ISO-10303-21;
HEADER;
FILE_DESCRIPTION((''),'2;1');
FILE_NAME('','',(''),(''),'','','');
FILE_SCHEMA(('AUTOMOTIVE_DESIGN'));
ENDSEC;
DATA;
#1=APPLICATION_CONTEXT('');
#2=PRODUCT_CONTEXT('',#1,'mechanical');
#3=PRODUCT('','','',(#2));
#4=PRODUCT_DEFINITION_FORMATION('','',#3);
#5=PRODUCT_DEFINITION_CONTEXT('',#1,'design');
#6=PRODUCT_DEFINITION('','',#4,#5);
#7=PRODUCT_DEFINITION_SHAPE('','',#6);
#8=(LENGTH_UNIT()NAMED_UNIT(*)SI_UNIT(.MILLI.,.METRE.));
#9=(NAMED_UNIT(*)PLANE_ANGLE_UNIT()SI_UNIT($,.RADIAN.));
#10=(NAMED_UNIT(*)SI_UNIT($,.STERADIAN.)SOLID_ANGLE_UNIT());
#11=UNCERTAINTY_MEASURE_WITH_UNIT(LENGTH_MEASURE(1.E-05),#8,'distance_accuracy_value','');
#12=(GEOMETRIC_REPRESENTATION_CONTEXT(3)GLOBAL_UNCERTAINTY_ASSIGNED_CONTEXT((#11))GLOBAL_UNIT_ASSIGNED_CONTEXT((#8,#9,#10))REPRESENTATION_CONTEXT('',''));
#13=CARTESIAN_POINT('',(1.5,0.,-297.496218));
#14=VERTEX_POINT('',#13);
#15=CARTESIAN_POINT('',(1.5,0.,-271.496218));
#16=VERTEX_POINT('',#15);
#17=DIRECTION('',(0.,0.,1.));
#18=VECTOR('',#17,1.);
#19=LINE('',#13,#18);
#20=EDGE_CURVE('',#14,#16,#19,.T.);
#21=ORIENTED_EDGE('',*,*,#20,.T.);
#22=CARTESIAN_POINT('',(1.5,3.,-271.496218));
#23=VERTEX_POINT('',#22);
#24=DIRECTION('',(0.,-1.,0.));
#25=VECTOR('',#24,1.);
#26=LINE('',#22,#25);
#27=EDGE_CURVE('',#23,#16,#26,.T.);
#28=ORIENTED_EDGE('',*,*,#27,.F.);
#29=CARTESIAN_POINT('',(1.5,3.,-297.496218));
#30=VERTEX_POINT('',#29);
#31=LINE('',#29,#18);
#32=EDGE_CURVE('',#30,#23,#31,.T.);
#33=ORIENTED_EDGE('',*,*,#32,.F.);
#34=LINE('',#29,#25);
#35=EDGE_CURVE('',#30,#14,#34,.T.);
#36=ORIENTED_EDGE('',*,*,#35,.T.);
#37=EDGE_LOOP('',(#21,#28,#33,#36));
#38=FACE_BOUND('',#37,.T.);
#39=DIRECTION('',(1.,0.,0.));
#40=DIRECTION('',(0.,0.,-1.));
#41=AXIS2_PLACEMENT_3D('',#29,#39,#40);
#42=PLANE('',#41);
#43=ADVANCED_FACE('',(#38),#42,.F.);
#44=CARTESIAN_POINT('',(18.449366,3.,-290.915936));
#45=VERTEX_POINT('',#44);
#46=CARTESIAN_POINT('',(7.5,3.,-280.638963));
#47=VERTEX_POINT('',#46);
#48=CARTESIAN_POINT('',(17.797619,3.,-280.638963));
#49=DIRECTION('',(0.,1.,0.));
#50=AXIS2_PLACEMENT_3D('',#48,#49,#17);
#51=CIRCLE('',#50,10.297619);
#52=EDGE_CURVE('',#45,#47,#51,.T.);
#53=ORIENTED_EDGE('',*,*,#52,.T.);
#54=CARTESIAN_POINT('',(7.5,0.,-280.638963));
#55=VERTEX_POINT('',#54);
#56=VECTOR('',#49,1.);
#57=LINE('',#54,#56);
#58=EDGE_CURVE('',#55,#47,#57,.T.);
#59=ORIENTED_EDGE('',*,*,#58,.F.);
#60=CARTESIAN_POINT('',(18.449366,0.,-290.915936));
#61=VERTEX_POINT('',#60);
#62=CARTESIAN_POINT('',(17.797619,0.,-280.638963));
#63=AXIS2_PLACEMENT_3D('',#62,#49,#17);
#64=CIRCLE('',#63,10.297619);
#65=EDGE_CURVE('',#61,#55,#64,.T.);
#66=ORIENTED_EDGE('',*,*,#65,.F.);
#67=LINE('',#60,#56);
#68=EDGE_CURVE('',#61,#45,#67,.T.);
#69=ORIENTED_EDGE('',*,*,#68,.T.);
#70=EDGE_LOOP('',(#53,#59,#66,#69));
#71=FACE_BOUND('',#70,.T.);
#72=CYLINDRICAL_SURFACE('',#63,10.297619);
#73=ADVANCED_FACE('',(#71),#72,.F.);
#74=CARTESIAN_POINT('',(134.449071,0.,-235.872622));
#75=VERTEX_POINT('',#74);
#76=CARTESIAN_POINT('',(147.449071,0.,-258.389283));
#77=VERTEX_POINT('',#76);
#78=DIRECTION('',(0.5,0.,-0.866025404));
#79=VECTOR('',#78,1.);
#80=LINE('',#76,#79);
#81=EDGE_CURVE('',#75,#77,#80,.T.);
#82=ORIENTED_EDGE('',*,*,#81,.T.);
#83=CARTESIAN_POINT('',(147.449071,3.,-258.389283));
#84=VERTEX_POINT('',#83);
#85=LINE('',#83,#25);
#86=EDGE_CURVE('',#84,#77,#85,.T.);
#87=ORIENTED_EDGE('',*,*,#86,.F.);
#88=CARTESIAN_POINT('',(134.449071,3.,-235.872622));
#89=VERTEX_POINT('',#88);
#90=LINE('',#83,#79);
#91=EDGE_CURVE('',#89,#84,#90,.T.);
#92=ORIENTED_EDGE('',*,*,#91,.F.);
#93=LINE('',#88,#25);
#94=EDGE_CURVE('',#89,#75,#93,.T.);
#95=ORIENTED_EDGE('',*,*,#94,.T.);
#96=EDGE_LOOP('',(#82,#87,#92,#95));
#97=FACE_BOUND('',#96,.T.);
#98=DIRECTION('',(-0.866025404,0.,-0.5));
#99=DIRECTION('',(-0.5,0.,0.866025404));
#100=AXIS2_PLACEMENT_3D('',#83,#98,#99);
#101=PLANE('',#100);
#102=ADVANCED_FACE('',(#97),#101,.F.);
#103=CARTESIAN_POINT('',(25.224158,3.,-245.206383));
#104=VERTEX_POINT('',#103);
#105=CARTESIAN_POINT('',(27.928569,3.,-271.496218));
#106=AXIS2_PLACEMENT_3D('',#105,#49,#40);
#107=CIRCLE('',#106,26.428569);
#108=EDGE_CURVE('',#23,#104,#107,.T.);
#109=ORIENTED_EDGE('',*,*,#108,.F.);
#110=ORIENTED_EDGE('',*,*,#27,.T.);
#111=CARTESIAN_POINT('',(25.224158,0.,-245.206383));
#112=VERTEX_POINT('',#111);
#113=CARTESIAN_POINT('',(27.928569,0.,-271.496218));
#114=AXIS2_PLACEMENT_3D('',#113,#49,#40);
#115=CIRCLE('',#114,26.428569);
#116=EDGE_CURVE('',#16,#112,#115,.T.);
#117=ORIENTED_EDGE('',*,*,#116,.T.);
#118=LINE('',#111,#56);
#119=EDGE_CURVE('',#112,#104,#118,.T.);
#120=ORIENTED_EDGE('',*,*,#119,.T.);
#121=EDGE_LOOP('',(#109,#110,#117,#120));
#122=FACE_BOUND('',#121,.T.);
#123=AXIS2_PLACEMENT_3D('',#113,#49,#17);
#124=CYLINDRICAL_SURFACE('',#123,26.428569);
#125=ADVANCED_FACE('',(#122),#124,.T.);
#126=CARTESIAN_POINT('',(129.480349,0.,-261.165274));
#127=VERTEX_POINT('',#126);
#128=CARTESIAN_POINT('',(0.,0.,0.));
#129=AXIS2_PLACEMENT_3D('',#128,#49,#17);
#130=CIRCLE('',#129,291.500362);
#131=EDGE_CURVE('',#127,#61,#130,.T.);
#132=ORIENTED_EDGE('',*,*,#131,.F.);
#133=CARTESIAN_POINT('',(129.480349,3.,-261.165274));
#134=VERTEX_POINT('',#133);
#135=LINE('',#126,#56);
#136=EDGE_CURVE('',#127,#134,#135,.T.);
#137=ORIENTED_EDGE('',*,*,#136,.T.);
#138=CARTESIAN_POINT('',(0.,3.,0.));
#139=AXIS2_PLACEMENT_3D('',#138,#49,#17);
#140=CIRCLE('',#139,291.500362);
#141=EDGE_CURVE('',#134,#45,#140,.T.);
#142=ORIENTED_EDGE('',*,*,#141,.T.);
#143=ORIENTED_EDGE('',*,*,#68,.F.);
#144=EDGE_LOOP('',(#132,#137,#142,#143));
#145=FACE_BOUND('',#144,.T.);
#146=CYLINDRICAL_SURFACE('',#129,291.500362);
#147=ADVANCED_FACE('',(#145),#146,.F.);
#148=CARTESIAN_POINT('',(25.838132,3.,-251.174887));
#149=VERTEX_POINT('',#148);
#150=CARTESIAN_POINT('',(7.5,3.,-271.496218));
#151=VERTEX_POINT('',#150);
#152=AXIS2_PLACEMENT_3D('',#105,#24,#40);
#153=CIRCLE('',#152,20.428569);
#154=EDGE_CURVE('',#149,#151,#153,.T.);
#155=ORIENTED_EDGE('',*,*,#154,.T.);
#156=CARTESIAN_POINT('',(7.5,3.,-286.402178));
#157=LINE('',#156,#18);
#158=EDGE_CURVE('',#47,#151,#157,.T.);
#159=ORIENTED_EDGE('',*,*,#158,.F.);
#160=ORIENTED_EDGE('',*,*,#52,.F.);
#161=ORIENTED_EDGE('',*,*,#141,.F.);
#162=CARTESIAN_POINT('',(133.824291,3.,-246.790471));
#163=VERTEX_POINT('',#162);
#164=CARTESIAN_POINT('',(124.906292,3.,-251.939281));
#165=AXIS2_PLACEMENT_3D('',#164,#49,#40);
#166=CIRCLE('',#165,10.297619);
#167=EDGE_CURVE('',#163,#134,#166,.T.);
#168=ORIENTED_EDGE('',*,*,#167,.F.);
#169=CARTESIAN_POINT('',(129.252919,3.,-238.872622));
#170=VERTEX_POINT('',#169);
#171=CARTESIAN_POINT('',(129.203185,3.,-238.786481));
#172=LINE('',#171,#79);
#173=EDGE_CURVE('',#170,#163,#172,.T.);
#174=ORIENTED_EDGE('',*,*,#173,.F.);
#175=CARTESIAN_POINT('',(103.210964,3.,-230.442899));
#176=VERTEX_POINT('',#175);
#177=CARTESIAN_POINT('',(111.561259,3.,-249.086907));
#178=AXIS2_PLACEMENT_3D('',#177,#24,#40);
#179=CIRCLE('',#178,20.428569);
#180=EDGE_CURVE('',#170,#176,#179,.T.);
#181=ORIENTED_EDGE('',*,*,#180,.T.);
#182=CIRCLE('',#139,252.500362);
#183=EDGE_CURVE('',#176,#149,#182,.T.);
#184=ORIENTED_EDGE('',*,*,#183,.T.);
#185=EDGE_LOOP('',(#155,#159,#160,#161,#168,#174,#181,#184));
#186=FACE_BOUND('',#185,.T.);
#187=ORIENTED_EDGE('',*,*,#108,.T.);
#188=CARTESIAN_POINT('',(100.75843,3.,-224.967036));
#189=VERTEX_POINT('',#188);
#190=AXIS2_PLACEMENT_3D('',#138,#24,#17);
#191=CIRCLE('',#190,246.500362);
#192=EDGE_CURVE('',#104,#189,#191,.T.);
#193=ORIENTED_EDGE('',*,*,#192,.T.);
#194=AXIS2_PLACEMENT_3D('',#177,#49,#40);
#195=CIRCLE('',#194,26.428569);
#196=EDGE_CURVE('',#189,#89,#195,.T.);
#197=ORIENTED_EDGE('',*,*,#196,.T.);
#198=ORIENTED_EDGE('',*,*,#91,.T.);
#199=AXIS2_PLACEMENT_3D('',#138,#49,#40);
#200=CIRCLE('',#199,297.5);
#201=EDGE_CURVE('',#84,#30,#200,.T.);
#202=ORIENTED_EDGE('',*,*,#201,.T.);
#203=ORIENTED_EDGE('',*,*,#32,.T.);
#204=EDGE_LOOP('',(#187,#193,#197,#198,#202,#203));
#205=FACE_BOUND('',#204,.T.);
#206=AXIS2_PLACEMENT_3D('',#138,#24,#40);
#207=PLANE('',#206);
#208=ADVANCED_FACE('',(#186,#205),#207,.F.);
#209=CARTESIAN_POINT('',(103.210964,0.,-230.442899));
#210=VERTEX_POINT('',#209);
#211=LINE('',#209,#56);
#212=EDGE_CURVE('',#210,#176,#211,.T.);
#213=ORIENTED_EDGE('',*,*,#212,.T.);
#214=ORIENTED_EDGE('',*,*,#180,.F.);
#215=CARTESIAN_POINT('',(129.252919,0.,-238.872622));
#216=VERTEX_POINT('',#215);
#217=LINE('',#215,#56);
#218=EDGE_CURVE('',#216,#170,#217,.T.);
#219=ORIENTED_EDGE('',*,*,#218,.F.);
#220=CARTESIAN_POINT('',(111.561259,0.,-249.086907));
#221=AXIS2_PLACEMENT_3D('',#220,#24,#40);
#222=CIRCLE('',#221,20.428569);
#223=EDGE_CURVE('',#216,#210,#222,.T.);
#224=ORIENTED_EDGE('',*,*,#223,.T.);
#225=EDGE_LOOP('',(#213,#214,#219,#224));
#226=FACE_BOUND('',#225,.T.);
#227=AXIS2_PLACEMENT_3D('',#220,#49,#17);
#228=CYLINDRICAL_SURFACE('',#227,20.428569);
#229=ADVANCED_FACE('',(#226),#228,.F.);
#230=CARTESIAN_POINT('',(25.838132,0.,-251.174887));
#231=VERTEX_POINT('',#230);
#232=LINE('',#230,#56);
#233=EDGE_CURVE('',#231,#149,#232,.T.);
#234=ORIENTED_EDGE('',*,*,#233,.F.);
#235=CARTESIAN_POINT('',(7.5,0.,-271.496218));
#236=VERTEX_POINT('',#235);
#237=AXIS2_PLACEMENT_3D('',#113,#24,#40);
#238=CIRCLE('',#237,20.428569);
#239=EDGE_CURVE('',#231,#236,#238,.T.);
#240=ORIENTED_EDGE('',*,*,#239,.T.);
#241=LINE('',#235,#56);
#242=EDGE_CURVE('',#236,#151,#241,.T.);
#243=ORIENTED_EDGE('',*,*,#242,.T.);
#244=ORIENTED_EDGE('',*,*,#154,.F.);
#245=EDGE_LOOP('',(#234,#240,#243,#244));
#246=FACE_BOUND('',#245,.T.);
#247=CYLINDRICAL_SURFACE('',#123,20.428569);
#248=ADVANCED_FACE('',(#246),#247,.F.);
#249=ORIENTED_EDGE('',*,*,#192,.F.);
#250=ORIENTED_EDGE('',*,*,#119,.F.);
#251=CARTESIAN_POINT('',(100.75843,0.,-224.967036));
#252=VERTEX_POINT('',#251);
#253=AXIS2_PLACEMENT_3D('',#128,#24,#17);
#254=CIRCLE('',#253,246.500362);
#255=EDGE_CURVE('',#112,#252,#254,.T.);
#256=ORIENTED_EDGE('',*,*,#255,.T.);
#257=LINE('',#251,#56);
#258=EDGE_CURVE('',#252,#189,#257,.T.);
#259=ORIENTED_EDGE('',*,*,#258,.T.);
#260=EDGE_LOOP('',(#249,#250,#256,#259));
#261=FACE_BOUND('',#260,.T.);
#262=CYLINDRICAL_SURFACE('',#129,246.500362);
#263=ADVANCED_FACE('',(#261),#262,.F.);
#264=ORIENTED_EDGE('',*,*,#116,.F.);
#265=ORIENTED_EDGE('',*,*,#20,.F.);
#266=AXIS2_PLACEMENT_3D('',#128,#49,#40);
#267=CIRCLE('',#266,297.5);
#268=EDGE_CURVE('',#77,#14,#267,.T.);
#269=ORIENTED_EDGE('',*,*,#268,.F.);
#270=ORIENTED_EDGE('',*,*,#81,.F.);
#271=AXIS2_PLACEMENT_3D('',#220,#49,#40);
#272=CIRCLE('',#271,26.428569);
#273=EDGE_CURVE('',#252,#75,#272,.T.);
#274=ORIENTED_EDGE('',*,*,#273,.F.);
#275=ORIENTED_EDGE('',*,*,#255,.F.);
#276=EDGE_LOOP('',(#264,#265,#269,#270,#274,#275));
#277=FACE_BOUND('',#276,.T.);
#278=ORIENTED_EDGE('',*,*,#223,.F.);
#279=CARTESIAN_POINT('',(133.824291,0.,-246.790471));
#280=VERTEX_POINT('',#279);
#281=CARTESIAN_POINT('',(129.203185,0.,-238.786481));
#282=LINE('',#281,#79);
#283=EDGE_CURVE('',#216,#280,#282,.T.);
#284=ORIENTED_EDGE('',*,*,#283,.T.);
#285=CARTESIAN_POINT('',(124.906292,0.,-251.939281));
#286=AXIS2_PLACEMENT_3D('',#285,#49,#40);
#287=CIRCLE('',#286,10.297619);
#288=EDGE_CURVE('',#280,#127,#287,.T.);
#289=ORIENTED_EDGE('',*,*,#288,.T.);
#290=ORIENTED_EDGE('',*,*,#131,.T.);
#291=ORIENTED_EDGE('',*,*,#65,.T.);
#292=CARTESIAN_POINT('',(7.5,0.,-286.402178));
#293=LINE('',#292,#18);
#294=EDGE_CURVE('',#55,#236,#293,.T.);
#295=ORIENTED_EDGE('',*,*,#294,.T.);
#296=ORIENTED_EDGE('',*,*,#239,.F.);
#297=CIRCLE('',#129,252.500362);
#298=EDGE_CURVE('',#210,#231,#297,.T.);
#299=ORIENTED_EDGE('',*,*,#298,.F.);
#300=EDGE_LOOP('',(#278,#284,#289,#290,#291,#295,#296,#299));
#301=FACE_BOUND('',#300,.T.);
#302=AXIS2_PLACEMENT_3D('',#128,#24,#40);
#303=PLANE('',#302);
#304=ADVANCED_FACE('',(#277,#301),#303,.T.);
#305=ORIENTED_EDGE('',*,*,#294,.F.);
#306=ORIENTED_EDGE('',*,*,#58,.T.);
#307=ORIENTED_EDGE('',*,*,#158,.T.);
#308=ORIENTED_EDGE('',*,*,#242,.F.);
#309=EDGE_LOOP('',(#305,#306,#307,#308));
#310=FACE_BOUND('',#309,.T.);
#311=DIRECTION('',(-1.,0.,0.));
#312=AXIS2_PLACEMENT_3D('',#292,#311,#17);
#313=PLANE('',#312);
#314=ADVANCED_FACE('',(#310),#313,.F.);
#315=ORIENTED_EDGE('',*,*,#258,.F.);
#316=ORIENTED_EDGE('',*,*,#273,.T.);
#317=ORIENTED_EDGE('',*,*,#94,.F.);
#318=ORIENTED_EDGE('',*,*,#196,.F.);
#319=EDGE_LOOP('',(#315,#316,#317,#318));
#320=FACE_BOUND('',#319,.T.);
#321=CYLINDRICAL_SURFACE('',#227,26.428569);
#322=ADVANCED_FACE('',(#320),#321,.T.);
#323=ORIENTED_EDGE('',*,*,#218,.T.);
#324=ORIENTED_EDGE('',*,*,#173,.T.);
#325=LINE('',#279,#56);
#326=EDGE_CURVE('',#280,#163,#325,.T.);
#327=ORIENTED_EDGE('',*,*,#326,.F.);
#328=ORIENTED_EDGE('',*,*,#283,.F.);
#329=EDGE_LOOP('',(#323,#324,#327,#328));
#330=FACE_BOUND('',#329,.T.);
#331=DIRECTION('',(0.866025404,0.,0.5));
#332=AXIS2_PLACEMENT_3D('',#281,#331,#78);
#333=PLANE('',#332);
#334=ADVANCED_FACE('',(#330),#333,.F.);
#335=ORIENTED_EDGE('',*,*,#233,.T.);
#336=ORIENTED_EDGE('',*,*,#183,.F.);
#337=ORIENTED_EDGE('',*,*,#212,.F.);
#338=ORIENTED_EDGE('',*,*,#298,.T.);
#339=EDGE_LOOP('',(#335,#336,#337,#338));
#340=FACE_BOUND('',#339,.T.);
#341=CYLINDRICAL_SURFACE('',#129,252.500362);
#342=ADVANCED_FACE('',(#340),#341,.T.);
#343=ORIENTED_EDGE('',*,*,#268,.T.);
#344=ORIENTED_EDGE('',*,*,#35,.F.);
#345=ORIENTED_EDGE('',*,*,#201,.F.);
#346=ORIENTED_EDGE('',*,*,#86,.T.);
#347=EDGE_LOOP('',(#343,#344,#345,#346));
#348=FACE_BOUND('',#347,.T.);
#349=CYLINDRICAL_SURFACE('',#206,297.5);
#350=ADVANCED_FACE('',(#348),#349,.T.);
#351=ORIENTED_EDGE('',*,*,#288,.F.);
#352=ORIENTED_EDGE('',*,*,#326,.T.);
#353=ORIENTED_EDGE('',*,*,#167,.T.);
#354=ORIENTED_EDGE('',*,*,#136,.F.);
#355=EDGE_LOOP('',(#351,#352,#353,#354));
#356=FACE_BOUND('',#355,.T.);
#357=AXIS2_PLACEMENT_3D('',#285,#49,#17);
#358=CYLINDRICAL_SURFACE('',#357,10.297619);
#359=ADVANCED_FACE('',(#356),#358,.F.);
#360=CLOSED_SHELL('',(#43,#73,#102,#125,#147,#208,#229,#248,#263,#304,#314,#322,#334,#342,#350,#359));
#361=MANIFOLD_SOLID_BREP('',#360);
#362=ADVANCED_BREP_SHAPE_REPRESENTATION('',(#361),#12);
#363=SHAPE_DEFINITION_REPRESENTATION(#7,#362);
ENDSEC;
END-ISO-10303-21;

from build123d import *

# Parameters (mm, degrees)
BOSS_EXTRUDE1_DEPTH = 3
CUT_EXTRUDE1_DEPTH  = 3
FILLET1_R           = 10
FILLET2_R           = 3
BOSS_EXTRUDE2_DEPTH = 3
CUT_EXTRUDE2_DEPTH  = 3


with BuildPart() as part:
    # Sketch1 → Boss-Extrude1 (new body)
    with BuildSketch(Plane(origin=(0, 0, 0), x_dir=(1, 0, 0), z_dir=(0, 1, 0))):
        with BuildLine():
            Line((1.5, 297.496218463), (1.5, 271.496218463))
            ThreePointArc((1.5, 271.496218463), (70.269464473, 262.249211634), (134.449071126, 235.872622221))
            Line((134.449071126, 235.872622221), (147.449071126, 258.389282719))
            ThreePointArc((147.449071126, 258.389282719), (76.998665918, 287.362933321), (1.5, 297.496218463))
        make_face()
    extrude(amount=BOSS_EXTRUDE1_DEPTH)

    # Sketch3 → Cut-Extrude1 (cut)
    with BuildSketch(Plane(origin=(0, 3, 0), x_dir=(1, 0, 0), z_dir=(0, 1, 0))):
        with BuildLine():
            Line((7.5, 271.396751344), (129.203185143, 238.786481168))
            Line((129.203185143, 238.786481168), (136.70589842, 251.781561758))
            ThreePointArc((136.70589842, 251.781561758), (74.15175015, 276.738099028), (7.5, 286.402177897))
            Line((7.5, 286.402177897), (7.5, 271.396751344))
        make_face()
    extrude(amount=-CUT_EXTRUDE1_DEPTH, mode=Mode.SUBTRACT)

    # Fillet1
    fillet1_edges = [part.edges().sort_by_distance(p)[0] for p in [
        (7.5, 1.5, -286.402177897),
        (136.70589842, 1.5, -251.781561758),
    ]]
    fillet(fillet1_edges, radius=FILLET1_R)

    # Fillet2
    fillet2_edges = [part.edges().sort_by_distance(p)[0] for p in [
        (7.5, 1.5, -271.396751344),
        (129.203185143, 1.5, -238.786481168),
    ]]
    fillet(fillet2_edges, radius=FILLET2_R)

    # Sketch4 → Boss-Extrude2 (add)
    with BuildSketch(Plane(origin=(0, 3, 0), x_dir=(1, 0, 0), z_dir=(0, 1, 0))):
        with BuildLine():
            Line((129.252918703, 238.872622221), (130.736546702, 241.442341293))
            Line((130.736546702, 241.442341293), (134.449071126, 235.872622221))
            ThreePointArc((134.449071126, 235.872622221), (119.700341049, 223.942829747), (100.758430139, 224.967036005))
            ThreePointArc((100.758430139, 224.967036005), (63.798988345, 238.101065977), (25.224157857, 245.206383264))
            ThreePointArc((25.224157857, 245.206383264), (8.307878683, 253.79035008), (1.5, 271.496218463))
            Line((1.5, 271.496218463), (7.5, 274.46347446))
            Line((7.5, 274.46347446), (7.5, 271.496218463))
            ThreePointArc((7.5, 271.496218463), (12.762306102, 257.810061061), (25.838132399, 251.174886867))
            ThreePointArc((25.838132399, 251.174886867), (65.351902616, 243.896620934), (103.21096439, 230.44289902))
            ThreePointArc((103.21096439, 230.44289902), (117.852549236, 229.651215281), (129.252918703, 238.872622221))
        make_face()
    extrude(amount=-BOSS_EXTRUDE2_DEPTH)

    # Sketch5 → Cut-Extrude2 (cut)
    with BuildSketch(Plane(origin=(0, 3, 0), x_dir=(1, 0, 0), z_dir=(0, 1, 0))):
        with BuildLine():
            Line((131.477814314, 242.72625446), (133.824291098, 246.790471469))
            ThreePointArc((133.824291098, 246.790471469), (134.763656185, 254.918092038), (129.480348672, 261.165274172))
            ThreePointArc((129.480348672, 261.165274172), (75.445845375, 281.56772816), (18.449365845, 290.915936355))
            ThreePointArc((18.449365845, 290.915936355), (10.750296256, 288.147371682), (7.5, 280.638963253))
            Line((7.5, 280.638963253), (7.5, 275.946009685))
            Line((7.5, 275.946009685), (131.477814314, 242.72625446))
        make_face()
    extrude(amount=-CUT_EXTRUDE2_DEPTH, mode=Mode.SUBTRACT)


solid = part.part
